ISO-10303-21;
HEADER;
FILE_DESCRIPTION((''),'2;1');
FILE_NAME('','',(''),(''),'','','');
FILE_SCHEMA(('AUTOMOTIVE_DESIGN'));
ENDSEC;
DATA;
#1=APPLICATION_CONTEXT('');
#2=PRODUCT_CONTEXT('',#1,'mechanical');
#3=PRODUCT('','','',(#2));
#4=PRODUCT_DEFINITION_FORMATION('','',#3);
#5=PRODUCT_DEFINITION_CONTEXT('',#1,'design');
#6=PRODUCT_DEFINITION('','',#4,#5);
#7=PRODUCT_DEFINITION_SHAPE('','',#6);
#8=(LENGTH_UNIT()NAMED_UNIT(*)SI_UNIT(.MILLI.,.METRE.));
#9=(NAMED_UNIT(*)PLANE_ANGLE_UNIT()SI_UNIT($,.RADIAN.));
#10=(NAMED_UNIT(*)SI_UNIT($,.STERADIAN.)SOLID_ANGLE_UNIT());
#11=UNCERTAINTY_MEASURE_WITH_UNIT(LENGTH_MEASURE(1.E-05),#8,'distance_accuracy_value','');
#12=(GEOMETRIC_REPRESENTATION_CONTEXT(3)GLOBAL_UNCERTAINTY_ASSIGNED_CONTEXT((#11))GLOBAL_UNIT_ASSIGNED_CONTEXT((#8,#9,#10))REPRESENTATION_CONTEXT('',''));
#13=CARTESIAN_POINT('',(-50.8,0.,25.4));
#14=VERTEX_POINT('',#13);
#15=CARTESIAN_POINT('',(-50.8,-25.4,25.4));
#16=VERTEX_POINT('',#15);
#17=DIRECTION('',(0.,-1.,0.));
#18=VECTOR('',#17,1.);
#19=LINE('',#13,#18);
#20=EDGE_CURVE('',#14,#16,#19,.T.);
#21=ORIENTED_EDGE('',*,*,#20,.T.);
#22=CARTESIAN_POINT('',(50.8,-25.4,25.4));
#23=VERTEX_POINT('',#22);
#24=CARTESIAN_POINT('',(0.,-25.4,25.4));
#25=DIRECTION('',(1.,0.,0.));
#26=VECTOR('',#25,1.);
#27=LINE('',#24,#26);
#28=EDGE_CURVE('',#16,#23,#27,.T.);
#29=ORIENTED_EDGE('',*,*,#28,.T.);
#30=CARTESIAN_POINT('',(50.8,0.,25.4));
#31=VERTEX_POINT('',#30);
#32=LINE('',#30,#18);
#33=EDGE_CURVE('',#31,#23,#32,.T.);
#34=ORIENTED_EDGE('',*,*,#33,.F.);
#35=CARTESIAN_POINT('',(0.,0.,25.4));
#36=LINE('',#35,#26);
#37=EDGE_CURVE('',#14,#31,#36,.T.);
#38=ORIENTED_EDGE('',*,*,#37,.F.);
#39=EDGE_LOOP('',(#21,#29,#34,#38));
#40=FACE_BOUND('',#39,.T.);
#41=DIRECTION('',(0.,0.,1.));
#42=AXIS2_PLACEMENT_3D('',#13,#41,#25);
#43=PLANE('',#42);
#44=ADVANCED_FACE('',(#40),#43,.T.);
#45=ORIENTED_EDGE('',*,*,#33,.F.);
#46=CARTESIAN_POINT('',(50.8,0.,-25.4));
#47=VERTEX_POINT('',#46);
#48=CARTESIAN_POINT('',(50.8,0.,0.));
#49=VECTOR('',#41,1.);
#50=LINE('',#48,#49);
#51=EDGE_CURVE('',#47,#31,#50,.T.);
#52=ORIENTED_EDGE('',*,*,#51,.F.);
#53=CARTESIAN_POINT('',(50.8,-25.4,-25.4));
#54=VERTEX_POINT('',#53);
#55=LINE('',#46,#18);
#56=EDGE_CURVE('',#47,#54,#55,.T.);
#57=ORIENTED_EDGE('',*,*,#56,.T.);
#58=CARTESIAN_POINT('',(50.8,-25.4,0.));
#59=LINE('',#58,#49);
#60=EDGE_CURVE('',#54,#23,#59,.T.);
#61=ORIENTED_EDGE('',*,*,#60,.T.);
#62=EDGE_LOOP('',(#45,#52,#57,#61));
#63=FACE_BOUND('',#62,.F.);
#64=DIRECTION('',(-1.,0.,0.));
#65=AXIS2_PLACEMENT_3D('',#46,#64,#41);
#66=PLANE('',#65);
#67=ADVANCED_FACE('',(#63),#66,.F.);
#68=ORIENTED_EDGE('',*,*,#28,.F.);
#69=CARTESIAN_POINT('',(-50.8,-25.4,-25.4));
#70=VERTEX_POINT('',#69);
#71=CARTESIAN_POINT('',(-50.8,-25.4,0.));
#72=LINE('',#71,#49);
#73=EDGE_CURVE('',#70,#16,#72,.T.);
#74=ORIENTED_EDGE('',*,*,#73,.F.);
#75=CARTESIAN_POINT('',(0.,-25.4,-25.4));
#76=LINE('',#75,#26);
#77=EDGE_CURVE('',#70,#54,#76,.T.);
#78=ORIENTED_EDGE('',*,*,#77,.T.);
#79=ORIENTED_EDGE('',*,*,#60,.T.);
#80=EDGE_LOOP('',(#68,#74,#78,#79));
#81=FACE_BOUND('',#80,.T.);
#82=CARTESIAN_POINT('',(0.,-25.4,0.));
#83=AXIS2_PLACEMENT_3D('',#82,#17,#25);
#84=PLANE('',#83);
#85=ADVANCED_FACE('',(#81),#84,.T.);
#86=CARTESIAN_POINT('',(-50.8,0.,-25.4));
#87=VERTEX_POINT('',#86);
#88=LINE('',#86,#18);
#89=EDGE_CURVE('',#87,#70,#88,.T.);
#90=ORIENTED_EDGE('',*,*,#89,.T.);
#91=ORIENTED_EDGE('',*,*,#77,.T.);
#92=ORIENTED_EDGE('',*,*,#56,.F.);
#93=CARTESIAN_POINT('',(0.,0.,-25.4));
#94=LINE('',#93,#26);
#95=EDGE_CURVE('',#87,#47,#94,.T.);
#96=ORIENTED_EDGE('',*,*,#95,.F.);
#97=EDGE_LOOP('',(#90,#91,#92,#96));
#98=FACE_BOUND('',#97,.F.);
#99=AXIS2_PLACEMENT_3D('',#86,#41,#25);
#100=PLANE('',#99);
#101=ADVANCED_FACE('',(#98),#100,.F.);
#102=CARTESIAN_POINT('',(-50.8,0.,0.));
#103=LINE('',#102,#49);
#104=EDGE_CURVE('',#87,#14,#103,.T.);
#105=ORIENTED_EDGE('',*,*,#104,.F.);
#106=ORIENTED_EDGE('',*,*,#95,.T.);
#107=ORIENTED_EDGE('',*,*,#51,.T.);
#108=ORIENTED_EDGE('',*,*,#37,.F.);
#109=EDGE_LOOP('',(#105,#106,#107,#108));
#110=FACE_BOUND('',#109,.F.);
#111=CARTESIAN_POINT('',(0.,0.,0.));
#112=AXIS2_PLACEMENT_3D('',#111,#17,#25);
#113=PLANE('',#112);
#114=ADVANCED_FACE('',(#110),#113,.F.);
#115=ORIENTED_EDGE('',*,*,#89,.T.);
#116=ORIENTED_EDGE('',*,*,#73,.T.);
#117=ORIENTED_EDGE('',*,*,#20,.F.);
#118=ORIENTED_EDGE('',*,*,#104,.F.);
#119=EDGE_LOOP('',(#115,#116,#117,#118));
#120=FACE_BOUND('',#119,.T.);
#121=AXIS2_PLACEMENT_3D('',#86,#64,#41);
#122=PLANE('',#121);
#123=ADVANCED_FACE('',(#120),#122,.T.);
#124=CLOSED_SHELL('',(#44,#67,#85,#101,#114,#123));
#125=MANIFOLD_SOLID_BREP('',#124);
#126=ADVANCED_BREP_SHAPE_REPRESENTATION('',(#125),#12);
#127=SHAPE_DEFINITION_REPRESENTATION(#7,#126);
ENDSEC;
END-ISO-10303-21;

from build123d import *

# Parameters (mm, degrees)
F0_W     = 101.6
F0_H     = 50.8
F1_DEPTH = 25.4


with BuildPart() as f1:
    # F0 (on Front) → F1 (new body)
    with BuildSketch(Plane.XZ):
        Rectangle(F0_W, F0_H)
    extrude(amount=F1_DEPTH)


solid = f1.part
